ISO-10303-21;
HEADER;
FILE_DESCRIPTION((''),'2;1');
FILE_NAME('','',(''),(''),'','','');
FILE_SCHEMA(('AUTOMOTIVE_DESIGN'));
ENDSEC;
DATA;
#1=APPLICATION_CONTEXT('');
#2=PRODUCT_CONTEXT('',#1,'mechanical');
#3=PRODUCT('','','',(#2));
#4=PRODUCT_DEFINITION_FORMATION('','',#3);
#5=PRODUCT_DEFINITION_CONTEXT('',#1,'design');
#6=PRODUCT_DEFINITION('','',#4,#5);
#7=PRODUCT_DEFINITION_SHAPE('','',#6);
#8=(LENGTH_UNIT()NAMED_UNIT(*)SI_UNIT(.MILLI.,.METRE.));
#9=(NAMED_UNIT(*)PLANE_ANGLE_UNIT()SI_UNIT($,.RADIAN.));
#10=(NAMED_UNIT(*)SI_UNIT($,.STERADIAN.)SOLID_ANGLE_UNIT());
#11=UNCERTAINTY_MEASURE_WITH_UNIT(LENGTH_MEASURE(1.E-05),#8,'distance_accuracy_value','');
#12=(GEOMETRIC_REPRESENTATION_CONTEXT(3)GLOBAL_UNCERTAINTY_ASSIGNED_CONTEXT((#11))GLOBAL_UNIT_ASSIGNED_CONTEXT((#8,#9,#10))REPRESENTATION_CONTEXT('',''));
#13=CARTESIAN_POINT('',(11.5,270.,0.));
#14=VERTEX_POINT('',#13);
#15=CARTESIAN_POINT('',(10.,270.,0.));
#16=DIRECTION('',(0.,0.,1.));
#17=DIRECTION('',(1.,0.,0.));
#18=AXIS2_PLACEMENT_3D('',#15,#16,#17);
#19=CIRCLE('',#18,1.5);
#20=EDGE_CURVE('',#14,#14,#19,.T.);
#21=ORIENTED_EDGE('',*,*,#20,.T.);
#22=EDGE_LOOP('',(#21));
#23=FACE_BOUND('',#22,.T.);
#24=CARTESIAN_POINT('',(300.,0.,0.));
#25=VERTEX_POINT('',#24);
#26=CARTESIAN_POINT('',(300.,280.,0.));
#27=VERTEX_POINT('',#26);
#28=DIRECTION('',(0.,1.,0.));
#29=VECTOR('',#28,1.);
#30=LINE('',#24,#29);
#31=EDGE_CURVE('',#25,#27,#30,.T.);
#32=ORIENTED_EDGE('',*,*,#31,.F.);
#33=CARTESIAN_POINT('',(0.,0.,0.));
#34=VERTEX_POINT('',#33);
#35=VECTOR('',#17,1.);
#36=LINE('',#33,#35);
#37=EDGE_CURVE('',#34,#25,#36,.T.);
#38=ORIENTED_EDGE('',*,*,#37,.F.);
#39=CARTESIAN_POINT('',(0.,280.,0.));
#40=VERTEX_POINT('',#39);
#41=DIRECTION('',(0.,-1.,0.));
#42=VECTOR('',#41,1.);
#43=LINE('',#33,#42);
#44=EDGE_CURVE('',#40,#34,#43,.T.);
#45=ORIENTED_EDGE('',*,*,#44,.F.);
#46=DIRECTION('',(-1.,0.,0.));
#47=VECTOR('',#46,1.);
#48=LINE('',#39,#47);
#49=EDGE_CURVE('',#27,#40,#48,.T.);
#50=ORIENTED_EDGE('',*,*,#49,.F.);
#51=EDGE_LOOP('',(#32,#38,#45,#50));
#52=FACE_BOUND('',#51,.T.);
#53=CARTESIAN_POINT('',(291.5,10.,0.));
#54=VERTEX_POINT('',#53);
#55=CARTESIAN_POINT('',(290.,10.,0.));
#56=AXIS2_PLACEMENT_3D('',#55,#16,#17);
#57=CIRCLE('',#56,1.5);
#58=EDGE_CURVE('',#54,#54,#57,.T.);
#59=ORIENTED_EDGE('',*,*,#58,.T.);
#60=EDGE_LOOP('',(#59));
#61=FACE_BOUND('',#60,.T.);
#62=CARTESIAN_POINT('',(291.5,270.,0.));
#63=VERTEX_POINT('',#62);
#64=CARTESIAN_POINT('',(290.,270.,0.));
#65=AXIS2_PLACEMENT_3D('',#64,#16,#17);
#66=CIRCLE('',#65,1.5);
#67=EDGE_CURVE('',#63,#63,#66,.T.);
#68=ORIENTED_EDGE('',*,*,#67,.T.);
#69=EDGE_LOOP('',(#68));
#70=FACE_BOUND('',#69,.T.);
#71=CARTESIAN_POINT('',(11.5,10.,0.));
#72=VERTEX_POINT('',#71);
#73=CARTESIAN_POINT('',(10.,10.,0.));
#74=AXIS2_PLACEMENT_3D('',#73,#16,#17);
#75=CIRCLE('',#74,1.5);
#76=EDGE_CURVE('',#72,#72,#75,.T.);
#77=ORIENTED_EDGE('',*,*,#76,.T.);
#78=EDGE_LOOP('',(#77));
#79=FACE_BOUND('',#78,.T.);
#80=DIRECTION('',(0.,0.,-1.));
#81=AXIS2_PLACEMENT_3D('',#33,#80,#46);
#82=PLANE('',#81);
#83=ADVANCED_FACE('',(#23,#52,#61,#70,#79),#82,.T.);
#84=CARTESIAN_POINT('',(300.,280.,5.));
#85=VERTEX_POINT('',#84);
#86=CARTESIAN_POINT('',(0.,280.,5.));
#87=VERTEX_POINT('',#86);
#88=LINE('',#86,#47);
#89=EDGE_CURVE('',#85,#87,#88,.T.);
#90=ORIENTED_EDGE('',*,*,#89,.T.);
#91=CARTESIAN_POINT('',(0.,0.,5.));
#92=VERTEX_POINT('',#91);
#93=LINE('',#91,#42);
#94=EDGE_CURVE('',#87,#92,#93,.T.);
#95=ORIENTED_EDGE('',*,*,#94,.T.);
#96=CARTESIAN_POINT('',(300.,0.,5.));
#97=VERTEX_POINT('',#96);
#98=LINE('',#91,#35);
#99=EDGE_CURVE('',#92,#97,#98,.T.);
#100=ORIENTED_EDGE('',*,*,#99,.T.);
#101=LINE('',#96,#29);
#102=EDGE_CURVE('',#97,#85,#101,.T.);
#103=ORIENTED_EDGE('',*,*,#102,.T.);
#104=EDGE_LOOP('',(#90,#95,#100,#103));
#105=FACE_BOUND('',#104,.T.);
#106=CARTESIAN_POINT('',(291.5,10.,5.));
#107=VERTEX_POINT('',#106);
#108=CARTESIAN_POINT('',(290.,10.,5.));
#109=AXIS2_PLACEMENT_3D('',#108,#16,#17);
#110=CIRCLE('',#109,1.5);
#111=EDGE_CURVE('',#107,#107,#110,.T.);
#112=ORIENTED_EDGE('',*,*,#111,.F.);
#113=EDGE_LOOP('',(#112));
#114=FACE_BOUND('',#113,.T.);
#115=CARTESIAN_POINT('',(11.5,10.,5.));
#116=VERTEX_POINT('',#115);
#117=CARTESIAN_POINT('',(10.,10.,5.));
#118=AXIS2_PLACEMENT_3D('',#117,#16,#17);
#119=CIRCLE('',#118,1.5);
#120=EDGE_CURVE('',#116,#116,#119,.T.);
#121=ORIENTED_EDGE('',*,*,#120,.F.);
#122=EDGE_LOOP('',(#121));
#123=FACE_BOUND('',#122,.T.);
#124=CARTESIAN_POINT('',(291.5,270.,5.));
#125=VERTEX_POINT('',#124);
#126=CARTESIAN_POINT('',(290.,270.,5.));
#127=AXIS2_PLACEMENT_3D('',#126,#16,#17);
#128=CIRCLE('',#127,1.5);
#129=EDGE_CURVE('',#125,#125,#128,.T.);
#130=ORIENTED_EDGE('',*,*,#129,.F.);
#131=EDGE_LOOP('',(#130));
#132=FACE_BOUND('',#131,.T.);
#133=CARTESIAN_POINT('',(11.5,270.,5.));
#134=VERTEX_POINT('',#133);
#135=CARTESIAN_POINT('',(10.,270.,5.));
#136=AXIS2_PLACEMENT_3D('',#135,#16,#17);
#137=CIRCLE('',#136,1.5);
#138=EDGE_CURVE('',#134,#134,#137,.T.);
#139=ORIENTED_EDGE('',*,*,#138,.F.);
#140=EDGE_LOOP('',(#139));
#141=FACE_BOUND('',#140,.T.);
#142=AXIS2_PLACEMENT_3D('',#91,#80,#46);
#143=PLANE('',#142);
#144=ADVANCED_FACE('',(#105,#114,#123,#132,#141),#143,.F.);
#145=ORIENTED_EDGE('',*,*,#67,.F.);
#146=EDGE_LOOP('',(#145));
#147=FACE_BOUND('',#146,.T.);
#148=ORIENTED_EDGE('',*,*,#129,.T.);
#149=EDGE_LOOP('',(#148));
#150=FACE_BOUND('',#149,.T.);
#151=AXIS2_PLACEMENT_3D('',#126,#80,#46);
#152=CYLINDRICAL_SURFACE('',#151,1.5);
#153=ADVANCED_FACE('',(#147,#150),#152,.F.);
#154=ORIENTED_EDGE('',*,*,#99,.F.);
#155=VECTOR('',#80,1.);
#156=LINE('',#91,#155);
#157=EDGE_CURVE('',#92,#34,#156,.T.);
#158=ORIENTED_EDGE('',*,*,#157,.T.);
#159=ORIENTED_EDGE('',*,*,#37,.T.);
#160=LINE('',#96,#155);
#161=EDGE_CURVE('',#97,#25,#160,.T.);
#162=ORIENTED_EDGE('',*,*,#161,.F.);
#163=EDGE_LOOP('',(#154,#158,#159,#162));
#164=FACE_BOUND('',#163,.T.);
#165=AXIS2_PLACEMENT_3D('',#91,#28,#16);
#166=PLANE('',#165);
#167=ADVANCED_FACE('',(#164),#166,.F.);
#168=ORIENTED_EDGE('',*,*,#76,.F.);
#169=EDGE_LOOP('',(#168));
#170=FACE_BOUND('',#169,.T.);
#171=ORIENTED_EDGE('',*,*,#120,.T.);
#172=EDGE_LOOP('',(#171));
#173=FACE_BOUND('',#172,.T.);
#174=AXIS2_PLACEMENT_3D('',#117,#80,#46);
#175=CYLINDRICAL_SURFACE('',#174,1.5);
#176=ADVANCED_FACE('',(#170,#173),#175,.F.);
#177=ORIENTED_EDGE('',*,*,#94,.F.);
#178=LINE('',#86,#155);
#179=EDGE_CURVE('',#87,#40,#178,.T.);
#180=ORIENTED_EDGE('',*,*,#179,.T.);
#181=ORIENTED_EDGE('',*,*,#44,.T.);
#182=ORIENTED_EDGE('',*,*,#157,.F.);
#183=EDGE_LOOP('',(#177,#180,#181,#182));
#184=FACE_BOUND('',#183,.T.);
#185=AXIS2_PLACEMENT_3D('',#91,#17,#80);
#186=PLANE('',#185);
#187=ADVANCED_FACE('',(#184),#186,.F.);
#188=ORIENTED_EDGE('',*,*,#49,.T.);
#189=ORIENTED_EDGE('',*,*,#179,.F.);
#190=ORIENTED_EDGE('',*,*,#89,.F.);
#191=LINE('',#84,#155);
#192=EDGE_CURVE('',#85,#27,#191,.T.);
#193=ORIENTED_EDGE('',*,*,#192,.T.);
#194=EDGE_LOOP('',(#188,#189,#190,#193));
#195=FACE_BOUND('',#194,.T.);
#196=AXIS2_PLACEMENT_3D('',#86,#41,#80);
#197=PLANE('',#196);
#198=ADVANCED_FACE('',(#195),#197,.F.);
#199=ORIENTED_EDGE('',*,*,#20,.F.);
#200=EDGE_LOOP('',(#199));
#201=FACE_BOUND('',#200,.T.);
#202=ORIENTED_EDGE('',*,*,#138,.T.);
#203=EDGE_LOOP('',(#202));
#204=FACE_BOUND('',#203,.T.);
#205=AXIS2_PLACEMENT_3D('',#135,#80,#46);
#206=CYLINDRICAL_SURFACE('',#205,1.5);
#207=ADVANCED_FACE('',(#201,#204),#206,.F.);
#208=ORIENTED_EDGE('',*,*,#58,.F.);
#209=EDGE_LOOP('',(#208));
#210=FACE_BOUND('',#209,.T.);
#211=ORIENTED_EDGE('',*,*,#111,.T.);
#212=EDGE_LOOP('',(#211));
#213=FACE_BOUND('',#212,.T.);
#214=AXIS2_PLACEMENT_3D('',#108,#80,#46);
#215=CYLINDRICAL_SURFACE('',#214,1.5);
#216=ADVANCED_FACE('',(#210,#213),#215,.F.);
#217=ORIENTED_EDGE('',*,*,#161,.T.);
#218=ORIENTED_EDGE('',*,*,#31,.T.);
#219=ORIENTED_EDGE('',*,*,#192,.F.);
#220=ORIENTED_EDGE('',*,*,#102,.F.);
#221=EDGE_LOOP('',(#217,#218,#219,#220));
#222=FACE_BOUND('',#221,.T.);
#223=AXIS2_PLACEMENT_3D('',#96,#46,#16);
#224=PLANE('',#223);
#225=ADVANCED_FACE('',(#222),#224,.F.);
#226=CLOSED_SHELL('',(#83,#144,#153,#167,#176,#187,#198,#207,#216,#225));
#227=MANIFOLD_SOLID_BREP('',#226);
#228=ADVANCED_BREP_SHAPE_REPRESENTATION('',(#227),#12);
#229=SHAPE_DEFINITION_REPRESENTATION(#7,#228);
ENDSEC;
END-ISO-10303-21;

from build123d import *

# Parameters (mm, degrees)
ESQUISSE1_W             = 300
ESQUISSE1_H             = 280
BOSS_EXTRU_1_DEPTH      = 5
ESQUISSE2_R             = 1.5
ENL_V_MAT_EXTRU_1_DEPTH = 411.396150079


with BuildPart() as part:
    # Esquisse1 → Boss.-Extru.1 (new body)
    with BuildSketch(Plane.XY):
        with Locations((150, 140)):
            Rectangle(ESQUISSE1_W, ESQUISSE1_H)
    extrude(amount=BOSS_EXTRU_1_DEPTH)

    # Esquisse2 → Enlèv. mat.-Extru.1 (cut, through all)
    with BuildSketch(Plane.XY):
        with Locations((10, 270)):
            Circle(ESQUISSE2_R)
        with Locations((290, 270)):
            Circle(ESQUISSE2_R)
        with Locations((290, 10)):
            Circle(ESQUISSE2_R)
        with Locations((10, 10)):
            Circle(ESQUISSE2_R)
    extrude(amount=ENL_V_MAT_EXTRU_1_DEPTH, mode=Mode.SUBTRACT)


solid = part.part
